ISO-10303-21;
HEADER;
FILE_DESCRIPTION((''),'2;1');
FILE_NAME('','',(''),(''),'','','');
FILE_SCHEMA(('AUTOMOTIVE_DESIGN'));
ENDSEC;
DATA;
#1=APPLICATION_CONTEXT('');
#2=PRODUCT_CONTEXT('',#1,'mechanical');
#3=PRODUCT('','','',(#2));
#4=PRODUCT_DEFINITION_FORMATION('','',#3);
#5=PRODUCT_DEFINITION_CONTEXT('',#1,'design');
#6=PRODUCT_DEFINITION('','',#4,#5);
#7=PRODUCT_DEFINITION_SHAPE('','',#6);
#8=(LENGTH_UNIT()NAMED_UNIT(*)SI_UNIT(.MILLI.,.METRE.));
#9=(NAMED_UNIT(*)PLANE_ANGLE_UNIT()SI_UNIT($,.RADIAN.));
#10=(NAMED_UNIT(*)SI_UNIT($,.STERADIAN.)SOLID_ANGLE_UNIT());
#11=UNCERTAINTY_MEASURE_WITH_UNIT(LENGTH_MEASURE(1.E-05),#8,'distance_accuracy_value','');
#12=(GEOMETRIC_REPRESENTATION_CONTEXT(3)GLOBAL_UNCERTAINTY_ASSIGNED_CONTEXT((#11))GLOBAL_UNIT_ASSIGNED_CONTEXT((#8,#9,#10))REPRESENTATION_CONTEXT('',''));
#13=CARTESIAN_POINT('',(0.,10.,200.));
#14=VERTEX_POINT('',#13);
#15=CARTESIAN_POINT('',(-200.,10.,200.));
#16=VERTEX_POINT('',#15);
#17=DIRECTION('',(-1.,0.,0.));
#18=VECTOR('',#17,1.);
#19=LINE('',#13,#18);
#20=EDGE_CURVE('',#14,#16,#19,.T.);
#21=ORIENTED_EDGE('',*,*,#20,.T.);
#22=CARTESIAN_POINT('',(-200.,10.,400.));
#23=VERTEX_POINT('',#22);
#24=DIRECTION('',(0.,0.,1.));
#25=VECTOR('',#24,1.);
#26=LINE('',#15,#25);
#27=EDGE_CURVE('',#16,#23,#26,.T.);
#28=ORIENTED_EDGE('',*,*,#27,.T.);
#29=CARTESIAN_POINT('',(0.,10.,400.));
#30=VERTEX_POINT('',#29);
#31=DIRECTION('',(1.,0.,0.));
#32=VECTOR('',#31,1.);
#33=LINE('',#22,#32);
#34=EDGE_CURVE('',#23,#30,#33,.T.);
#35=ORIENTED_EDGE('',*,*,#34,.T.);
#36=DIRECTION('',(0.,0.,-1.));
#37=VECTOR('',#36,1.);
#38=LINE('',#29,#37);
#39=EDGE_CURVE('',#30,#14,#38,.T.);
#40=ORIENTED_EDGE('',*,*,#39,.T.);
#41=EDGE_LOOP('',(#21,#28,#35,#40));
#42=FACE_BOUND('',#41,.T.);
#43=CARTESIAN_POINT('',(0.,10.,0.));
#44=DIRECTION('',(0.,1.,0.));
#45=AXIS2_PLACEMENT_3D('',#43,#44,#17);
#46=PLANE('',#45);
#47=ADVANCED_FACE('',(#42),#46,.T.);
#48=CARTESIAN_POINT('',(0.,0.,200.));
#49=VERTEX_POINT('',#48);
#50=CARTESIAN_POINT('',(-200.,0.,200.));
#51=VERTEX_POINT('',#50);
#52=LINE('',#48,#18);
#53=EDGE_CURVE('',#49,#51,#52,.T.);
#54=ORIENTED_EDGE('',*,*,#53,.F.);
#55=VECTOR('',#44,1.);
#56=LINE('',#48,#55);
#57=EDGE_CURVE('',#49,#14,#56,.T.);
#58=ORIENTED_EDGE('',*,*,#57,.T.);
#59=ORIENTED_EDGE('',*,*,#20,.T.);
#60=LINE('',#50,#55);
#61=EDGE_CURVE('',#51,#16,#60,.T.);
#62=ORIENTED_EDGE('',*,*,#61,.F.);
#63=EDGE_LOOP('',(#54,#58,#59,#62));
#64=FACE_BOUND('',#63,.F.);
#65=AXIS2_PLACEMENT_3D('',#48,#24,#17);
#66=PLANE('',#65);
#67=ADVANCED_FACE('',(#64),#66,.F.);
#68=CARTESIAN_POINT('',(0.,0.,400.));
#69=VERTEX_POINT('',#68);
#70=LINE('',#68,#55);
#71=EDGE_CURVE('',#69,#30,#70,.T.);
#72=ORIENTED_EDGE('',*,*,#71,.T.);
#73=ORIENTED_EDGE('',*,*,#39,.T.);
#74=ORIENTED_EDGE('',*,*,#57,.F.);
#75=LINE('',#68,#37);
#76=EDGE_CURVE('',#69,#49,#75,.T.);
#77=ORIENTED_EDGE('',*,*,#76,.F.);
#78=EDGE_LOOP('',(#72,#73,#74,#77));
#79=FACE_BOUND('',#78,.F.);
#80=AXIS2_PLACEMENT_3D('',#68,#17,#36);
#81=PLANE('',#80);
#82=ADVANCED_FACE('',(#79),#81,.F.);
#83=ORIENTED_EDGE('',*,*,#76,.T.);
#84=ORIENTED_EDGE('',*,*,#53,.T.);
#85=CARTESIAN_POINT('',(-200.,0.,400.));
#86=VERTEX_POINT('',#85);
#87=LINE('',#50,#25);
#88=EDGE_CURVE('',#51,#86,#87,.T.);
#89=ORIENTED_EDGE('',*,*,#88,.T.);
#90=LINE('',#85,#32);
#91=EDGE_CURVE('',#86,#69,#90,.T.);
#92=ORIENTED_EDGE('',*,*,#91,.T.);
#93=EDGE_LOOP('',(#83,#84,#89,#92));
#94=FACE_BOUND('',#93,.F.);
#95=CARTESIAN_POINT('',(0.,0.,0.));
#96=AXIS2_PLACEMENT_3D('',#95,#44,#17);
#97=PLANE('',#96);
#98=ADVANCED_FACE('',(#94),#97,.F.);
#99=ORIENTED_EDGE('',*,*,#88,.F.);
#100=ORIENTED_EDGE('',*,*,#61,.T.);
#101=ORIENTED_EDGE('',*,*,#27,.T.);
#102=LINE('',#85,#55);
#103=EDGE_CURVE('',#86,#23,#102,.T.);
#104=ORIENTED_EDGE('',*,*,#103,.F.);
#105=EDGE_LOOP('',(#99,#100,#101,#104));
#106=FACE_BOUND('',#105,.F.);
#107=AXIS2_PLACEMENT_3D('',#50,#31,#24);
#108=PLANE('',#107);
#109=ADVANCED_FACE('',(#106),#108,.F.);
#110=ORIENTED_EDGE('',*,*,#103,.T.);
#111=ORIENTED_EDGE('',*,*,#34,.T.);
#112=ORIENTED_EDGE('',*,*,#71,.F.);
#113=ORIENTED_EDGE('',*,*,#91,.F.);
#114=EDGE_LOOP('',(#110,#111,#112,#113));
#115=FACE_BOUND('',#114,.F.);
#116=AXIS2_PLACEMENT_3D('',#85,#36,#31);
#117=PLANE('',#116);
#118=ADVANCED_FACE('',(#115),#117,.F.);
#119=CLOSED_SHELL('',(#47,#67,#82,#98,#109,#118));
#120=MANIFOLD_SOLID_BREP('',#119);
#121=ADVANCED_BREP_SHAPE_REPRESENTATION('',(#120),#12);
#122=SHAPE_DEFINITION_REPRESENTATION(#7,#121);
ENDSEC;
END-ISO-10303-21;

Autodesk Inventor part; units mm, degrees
ref_plane "YZ Plane" through (0, 0, 0) normal (1, 0, 0) x (0, 1, 0)
ref_plane "XZ Plane" through (0, 0, 0) normal (0, 1, 0) x (-1, 0, 0)
ref_plane "XY Plane" through (0, 0, 0) normal (0, 0, 1) x (1, 0, 0)
sketch "Sketch1" plane through (0, 0, 0) normal (0, 1, 0) x (-1, 0, 0)
  line L0 (200, 400) -> (0, 400)
  line L1 (0, 400) -> (0, 200)
  line L2 (0, 200) -> (200, 200)
  line L3 (200, 200) -> (200, 400)
  point P0 (0, 0)
  dimension "d0" = 200
  dimension "d1" = 200
extrude "Extrusion1" add sketch "Sketch1" along normal blind 10
properties part number "PeredBabka"
